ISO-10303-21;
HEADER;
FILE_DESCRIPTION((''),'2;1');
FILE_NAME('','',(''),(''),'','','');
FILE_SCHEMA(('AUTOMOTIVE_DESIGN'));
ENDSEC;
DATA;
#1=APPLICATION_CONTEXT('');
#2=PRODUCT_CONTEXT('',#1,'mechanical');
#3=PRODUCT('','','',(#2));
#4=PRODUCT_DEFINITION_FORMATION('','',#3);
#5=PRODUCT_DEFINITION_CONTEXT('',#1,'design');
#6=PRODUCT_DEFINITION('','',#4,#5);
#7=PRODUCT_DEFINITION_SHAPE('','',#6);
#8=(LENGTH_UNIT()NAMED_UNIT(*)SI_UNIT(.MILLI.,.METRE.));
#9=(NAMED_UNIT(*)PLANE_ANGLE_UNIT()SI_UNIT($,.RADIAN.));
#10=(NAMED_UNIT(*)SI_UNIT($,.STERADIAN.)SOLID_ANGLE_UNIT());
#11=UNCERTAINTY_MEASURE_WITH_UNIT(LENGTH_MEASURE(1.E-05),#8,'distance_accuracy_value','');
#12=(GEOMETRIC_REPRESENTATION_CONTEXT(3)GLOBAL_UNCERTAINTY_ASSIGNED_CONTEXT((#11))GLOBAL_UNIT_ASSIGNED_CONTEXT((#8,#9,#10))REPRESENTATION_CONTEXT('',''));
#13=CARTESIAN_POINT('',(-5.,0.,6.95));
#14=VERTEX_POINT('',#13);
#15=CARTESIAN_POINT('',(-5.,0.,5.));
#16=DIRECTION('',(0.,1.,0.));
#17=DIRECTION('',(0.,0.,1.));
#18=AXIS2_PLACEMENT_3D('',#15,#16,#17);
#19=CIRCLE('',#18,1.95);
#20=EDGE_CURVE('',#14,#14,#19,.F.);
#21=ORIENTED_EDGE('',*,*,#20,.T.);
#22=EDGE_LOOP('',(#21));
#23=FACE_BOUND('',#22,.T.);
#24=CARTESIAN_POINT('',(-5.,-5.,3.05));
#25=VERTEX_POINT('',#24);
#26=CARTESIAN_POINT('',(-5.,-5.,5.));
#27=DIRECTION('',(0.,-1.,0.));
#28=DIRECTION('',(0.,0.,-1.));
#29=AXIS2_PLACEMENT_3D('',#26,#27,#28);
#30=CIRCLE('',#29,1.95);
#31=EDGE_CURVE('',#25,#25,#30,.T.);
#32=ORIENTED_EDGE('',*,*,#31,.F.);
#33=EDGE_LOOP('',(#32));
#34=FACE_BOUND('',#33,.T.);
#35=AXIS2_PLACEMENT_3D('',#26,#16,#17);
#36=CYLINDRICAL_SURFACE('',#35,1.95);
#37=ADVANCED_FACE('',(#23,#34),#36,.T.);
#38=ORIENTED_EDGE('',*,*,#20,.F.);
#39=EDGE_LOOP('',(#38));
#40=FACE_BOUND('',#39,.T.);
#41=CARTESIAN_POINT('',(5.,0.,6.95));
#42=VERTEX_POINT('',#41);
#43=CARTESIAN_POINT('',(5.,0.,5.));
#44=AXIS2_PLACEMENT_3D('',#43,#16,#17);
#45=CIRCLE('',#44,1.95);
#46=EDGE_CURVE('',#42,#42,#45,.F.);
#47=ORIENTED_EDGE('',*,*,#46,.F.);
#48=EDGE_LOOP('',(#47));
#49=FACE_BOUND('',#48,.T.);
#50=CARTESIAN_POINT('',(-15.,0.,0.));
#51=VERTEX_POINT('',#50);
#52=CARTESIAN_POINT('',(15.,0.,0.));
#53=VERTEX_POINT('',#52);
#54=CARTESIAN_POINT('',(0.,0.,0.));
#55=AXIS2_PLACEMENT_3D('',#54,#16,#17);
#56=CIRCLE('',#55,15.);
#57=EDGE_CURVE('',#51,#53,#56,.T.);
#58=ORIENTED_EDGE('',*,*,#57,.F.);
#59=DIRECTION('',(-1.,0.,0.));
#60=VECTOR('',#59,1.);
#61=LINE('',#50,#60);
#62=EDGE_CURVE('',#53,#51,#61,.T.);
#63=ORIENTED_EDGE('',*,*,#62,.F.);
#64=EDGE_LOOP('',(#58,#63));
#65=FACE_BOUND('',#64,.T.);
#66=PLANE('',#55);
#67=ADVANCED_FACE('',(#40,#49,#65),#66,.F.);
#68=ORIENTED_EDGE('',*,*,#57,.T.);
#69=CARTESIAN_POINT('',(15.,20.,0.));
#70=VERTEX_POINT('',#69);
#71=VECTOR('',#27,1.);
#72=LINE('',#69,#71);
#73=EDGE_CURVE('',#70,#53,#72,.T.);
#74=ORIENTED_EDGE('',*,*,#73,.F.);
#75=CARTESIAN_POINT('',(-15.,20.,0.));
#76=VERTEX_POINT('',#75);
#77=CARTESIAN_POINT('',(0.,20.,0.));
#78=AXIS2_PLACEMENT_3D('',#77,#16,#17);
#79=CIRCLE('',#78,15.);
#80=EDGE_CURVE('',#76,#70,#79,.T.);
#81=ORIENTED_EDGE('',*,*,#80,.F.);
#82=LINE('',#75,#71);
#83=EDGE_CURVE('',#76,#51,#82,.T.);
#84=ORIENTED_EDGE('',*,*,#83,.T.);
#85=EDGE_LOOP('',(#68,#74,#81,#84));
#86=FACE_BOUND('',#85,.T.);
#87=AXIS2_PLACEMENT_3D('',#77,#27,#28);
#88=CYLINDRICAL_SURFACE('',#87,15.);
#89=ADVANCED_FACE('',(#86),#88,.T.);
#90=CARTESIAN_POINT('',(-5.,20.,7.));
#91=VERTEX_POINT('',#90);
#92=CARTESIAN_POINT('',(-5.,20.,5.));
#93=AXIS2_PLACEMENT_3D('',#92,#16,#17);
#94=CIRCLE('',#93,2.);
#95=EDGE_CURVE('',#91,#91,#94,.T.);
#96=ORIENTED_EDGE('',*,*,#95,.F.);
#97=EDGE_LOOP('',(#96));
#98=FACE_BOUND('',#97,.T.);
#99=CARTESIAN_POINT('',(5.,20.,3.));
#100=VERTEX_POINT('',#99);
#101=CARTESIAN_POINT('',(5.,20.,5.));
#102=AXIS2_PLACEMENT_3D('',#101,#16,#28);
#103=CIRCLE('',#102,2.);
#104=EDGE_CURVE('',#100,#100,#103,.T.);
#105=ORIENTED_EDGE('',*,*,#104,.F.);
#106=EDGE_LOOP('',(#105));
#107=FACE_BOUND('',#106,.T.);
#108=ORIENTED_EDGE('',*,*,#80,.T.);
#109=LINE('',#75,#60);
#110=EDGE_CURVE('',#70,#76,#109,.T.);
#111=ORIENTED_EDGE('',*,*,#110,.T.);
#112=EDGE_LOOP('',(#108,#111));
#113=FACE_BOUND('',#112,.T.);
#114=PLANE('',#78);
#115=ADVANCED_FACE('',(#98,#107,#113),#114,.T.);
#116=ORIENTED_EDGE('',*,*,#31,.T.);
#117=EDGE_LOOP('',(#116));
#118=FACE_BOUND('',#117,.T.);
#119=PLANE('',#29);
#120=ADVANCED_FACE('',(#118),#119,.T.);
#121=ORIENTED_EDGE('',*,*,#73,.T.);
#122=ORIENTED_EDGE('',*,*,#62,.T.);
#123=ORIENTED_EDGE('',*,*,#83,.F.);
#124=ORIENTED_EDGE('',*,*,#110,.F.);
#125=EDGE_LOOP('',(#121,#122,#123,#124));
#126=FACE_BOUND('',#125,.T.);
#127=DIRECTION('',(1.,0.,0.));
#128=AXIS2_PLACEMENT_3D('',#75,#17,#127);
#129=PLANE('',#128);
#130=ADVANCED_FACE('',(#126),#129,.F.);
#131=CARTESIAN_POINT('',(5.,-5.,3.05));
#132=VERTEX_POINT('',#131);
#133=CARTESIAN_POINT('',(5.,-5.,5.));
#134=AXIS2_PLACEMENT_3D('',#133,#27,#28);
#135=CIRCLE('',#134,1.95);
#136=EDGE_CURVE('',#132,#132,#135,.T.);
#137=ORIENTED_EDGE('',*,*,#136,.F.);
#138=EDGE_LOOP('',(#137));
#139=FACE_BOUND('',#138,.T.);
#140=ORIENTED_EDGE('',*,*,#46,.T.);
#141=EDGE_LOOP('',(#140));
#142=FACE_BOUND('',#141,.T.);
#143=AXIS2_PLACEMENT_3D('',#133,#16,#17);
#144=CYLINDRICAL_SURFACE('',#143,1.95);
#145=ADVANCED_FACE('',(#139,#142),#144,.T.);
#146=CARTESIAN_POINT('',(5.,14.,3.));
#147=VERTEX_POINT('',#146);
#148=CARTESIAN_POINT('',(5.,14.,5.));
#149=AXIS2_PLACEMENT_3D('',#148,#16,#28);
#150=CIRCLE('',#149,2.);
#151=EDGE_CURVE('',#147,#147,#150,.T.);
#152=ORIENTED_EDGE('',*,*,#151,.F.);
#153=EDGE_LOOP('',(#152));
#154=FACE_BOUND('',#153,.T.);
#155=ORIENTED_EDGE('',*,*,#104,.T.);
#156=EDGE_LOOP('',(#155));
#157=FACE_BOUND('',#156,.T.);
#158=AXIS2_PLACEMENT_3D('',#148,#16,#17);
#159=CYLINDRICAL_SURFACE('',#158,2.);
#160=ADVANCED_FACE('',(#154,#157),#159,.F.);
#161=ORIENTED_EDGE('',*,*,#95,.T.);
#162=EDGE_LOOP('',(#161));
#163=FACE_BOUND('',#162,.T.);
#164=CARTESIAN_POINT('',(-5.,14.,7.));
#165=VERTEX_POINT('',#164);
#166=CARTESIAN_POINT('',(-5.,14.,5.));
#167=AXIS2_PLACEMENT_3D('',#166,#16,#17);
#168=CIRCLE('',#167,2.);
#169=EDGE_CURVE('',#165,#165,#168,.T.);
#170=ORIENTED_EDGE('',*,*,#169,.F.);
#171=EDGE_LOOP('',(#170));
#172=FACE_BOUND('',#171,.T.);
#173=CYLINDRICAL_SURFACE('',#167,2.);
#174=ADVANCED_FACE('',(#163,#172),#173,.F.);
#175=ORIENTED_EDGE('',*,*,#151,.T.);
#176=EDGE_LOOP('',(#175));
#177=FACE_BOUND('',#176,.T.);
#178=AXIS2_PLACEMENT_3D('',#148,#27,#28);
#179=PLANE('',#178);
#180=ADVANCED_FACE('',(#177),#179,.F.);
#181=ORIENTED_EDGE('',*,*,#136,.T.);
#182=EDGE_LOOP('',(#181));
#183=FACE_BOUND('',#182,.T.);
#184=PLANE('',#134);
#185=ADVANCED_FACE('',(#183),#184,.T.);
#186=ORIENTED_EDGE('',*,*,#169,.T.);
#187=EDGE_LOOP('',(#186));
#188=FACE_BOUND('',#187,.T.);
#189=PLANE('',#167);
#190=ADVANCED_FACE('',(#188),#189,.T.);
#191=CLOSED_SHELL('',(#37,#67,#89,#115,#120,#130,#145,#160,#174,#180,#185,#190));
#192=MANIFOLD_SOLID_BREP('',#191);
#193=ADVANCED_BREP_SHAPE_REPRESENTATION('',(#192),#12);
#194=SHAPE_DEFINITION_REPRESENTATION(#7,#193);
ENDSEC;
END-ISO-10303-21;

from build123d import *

# Parameters (mm, degrees)
EXTRUDE_1_DEPTH     = 20
SKETCH_2_R          = 2
CUT_EXTRUDE_1_DEPTH = 6
SKETCH_3_R          = 1.95
EXTRUDE_2_DEPTH     = 5


with BuildPart() as part:
    # 草图1 → 凸台-拉伸1 (new body)
    with BuildSketch(Plane(origin=(0, 0, 0), x_dir=(1, 0, 0), z_dir=(0, 1, 0))):
        with BuildLine():
            Line((-15, 0), (15, 0))
            ThreePointArc((15, 0), (0, -15), (-15, 0))
        make_face()
    extrude(amount=EXTRUDE_1_DEPTH)

    # 草图2 → 切除-拉伸1 (cut)
    with BuildSketch(Plane(origin=(0, 20, 0), x_dir=(1, 0, 0), z_dir=(0, 1, 0))):
        with Locations(Location((-5, -5, 0), (0, 0, 270))):
            Circle(SKETCH_2_R)
        with Locations(Location((5, -5, 0), (0, 0, 90))):
            Circle(SKETCH_2_R)
    extrude(amount=-CUT_EXTRUDE_1_DEPTH, mode=Mode.SUBTRACT)

    # 草图3 → 凸台-拉伸2 (add)
    with BuildSketch(Plane.XZ):
        with Locations(Location((5, 5, 0), (0, 0, 90))):
            Circle(SKETCH_3_R)
        with Locations(Location((-5, 5, 0), (0, 0, 90))):
            Circle(SKETCH_3_R)
    extrude(amount=EXTRUDE_2_DEPTH)


solid = part.part
